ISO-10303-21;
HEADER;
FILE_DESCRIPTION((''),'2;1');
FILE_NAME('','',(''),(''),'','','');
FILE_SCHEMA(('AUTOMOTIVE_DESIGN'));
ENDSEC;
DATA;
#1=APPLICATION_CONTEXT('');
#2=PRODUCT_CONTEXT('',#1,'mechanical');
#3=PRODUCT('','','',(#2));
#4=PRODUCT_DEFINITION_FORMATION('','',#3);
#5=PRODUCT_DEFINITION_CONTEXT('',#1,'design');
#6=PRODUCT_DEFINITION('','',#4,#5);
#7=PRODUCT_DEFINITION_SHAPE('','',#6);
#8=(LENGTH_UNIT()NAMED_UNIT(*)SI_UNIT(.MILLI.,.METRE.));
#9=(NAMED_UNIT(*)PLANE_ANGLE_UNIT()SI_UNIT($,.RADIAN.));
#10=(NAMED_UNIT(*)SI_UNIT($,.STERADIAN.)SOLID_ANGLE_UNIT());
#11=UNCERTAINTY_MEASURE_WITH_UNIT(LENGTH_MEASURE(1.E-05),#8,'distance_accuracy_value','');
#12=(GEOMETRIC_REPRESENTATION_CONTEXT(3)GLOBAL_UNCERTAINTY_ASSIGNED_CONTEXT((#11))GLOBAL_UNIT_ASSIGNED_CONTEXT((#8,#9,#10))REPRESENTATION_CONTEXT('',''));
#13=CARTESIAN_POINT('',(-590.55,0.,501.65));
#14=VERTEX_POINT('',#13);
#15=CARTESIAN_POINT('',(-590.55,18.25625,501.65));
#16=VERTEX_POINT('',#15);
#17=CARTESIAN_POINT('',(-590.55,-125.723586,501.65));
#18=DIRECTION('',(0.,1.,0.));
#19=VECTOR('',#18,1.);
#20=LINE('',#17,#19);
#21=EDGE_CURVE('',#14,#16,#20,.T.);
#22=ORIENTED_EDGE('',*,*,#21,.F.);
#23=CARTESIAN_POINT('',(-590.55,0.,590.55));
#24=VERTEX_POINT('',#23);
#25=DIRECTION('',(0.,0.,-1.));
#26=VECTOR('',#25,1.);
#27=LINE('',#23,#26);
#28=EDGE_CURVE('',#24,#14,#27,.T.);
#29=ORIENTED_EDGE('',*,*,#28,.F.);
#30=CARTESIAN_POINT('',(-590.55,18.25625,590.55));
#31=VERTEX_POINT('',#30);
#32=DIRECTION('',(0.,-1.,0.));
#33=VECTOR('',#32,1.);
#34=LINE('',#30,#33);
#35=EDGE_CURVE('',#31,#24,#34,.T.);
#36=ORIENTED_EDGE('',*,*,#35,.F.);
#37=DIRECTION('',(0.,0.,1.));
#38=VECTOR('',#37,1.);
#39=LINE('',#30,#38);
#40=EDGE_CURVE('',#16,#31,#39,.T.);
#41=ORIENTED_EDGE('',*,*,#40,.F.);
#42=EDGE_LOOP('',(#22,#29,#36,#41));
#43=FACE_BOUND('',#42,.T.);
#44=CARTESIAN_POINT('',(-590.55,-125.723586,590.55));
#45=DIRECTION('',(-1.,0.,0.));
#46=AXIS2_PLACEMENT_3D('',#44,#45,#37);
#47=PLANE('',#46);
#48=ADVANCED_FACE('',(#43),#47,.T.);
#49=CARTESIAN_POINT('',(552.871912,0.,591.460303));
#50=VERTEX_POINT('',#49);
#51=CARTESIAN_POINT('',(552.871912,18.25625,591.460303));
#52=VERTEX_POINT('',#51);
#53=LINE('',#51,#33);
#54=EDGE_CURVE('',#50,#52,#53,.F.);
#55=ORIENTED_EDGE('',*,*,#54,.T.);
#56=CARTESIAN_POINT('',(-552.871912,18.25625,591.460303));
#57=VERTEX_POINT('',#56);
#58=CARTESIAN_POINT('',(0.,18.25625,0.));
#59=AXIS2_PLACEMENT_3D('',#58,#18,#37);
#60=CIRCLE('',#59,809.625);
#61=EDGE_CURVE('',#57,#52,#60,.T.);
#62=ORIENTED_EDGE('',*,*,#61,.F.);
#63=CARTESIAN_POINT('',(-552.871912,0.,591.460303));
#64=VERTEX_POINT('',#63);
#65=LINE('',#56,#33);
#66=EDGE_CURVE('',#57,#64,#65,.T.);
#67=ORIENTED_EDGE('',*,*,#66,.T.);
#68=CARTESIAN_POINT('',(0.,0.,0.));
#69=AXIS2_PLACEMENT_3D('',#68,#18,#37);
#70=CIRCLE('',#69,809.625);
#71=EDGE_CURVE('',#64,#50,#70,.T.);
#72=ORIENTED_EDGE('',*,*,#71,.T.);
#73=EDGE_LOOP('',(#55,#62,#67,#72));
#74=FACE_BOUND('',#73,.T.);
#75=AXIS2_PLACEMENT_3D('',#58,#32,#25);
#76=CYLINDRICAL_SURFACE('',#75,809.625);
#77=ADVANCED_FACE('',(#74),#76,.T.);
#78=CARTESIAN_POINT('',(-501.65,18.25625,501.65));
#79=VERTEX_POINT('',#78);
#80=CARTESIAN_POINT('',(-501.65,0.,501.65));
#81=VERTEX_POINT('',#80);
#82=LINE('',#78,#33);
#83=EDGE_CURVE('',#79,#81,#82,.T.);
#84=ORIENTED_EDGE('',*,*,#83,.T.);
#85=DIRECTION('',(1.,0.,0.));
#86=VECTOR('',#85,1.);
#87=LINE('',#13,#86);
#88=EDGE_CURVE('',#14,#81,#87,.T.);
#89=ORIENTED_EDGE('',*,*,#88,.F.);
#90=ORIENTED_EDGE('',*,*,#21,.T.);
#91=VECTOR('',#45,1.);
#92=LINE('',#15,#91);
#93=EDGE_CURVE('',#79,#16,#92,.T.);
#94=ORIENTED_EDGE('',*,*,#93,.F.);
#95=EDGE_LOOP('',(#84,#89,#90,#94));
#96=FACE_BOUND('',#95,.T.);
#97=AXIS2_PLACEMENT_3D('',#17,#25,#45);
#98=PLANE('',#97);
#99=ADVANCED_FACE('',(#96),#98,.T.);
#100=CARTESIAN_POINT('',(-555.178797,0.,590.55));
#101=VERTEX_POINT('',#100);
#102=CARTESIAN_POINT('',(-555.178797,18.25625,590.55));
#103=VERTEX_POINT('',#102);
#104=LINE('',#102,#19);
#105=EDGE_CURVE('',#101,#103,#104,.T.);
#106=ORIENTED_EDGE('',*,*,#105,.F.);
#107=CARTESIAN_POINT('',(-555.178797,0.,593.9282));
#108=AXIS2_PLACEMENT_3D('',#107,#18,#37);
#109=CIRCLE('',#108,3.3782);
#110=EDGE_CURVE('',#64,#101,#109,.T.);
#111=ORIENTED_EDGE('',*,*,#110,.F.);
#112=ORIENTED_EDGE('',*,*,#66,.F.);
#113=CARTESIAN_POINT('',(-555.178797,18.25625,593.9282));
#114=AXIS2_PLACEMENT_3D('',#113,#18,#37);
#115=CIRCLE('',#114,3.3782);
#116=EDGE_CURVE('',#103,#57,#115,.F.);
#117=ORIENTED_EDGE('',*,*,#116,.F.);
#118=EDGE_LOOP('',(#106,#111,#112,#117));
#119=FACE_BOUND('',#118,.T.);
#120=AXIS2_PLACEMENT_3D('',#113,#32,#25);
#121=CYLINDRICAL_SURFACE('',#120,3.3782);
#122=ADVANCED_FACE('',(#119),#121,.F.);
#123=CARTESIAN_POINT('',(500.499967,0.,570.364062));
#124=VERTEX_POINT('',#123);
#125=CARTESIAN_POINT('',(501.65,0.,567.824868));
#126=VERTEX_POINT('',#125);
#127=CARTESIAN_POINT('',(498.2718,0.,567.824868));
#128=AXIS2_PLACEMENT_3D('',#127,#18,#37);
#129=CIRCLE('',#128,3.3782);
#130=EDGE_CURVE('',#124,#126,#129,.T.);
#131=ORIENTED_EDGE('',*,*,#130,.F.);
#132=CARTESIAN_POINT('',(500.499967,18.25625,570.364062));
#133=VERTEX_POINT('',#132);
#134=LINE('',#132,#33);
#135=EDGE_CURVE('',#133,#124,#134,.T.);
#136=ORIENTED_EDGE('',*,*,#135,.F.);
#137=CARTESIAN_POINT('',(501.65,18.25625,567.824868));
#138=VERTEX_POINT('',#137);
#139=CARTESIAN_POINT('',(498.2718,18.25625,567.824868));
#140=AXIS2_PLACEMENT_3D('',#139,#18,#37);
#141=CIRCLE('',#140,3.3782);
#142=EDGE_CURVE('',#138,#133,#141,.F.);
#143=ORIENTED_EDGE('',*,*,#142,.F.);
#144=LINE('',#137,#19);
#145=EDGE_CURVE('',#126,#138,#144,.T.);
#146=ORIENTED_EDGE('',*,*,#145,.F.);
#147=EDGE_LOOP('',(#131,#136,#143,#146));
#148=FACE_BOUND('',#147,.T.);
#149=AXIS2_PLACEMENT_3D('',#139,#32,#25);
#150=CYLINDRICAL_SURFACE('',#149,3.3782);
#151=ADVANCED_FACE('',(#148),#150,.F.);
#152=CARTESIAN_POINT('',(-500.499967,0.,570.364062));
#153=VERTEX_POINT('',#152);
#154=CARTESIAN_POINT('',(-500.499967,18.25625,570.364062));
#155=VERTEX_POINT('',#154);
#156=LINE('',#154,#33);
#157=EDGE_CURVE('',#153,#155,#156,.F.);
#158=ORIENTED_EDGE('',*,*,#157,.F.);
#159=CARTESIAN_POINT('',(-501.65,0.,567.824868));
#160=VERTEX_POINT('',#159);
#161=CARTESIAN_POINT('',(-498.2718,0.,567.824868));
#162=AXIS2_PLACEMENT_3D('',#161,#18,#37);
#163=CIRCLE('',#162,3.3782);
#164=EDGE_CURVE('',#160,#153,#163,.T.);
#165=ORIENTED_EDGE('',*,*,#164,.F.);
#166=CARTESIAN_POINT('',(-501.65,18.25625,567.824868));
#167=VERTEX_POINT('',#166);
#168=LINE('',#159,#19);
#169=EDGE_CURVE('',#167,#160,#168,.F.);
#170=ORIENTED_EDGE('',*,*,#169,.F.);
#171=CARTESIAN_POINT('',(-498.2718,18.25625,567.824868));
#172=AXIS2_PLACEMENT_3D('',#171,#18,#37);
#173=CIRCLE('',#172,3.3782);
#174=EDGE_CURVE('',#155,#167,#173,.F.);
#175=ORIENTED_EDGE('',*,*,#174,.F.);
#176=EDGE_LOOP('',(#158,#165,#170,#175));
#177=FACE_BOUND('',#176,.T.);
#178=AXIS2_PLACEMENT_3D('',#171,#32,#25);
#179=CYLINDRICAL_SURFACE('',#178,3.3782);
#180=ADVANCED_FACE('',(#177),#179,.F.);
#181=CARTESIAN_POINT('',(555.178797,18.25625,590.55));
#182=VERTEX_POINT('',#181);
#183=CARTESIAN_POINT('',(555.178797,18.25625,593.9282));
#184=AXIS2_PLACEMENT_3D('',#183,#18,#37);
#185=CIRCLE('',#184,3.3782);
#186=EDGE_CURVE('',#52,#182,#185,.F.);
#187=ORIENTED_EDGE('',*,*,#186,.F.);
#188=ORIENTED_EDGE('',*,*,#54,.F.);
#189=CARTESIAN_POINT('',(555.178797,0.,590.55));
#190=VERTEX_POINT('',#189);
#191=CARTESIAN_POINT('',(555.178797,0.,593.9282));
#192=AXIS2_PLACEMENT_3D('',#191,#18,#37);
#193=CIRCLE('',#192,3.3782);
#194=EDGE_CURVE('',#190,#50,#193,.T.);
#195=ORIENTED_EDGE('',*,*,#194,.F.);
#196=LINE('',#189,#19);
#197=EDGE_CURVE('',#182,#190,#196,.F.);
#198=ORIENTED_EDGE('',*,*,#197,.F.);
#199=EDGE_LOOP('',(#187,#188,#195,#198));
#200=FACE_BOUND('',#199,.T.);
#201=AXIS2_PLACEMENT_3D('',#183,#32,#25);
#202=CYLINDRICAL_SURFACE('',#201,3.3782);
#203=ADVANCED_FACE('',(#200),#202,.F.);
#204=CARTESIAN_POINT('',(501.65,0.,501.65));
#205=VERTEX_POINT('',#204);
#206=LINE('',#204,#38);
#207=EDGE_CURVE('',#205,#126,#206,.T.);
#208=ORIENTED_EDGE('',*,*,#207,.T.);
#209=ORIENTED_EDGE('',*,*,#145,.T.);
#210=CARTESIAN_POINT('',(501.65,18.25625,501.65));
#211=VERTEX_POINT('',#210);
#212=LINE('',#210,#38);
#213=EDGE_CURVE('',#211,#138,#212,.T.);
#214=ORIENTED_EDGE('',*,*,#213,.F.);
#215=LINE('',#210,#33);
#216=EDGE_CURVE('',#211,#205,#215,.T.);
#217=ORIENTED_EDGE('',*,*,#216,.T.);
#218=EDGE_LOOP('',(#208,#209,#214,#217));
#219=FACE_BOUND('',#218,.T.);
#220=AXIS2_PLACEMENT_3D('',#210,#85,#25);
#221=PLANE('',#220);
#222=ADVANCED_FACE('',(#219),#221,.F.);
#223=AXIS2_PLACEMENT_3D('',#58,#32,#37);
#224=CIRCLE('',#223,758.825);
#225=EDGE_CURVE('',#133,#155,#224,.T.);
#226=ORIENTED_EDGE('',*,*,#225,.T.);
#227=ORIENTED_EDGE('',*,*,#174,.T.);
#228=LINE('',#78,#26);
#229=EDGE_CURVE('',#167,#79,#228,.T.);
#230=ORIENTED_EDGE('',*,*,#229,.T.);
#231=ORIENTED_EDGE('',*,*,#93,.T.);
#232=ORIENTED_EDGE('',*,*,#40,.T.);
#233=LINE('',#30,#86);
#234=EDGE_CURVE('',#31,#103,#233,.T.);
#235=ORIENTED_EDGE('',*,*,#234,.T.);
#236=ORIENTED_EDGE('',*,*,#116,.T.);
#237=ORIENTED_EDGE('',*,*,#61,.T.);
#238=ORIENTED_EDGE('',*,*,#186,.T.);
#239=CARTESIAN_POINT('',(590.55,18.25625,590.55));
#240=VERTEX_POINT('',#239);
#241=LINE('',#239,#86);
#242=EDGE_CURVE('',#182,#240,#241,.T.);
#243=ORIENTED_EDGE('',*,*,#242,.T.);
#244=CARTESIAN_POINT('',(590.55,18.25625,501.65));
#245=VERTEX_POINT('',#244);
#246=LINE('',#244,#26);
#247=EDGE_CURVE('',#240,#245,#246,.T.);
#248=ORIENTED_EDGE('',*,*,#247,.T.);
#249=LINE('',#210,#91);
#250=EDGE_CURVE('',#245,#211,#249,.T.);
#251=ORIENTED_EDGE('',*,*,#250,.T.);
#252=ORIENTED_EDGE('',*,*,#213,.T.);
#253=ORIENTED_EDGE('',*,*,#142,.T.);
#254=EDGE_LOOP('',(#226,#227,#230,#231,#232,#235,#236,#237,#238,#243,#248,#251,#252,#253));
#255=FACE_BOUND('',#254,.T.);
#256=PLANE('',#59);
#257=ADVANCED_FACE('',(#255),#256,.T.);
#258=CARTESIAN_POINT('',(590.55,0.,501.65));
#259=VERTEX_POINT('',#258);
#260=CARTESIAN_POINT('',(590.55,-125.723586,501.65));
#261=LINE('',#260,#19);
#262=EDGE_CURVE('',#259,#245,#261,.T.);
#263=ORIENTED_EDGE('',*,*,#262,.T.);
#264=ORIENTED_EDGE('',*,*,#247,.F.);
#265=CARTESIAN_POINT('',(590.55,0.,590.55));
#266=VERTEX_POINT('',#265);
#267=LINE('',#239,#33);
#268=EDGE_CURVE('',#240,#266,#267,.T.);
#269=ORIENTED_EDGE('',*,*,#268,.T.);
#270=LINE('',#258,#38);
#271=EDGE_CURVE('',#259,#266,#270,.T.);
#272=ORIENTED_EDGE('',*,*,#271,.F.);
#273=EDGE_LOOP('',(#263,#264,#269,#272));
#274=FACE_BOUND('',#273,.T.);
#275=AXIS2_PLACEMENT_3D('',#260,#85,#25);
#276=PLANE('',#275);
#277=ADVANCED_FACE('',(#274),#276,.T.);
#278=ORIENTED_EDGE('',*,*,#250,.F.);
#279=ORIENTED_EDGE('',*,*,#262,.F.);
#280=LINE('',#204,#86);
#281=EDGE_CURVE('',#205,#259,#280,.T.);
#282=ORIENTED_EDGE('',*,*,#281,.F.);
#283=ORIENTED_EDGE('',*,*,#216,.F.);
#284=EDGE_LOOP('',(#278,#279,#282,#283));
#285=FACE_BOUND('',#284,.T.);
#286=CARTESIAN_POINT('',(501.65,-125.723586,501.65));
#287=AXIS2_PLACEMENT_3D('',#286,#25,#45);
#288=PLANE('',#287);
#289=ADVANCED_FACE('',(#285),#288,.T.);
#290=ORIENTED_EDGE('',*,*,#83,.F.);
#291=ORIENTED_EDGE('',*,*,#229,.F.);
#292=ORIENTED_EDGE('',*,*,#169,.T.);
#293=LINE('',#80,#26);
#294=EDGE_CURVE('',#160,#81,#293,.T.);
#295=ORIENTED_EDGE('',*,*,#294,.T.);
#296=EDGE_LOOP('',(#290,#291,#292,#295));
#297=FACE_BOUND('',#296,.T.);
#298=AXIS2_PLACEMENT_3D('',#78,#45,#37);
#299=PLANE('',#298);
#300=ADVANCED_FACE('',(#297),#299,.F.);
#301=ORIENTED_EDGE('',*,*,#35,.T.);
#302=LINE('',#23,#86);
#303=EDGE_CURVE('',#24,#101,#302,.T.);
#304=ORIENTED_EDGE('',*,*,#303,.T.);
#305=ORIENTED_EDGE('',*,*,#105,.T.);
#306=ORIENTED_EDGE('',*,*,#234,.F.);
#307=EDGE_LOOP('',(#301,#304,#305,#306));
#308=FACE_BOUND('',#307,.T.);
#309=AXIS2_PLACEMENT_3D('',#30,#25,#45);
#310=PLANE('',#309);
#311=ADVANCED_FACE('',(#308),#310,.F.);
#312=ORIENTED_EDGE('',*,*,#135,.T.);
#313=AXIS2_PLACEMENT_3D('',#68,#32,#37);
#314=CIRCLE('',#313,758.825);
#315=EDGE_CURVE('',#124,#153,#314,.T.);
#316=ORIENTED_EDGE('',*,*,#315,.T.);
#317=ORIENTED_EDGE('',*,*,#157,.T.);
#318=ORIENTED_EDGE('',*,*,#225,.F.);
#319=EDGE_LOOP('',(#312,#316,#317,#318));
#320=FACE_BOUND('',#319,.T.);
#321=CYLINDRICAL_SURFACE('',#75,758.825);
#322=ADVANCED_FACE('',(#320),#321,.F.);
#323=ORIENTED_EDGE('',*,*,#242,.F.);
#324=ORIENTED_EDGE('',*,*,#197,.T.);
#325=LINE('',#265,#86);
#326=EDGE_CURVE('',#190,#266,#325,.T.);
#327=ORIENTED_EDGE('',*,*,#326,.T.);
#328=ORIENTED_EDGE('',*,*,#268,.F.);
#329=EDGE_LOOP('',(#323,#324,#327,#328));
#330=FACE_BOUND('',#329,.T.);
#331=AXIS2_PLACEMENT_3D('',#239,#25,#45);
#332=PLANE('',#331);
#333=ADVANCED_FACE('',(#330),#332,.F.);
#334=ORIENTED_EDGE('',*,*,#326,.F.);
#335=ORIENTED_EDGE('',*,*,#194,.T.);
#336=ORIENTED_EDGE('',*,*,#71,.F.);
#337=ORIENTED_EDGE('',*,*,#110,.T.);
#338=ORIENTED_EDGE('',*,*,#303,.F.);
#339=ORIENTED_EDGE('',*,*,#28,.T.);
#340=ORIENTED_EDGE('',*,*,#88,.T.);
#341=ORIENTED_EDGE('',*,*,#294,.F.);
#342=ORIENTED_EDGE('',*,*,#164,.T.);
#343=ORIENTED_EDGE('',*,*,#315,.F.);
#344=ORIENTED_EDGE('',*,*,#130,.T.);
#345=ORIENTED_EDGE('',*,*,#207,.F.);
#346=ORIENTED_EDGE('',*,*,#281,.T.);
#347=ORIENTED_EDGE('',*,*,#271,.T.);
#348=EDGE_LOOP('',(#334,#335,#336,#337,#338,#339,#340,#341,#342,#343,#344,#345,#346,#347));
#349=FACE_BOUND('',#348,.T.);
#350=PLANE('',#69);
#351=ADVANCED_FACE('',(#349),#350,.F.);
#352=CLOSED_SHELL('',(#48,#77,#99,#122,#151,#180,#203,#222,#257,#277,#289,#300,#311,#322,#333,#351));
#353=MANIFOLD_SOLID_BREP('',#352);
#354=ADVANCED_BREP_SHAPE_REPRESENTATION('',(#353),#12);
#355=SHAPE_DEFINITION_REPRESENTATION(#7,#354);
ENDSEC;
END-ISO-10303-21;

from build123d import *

# Parameters (mm, degrees)
BOSS_EXTRUDE1_DEPTH = 18.25625
SKETCH4_W           = 88.9
SKETCH4_H           = 88.9
BOSS_EXTRUDE2_DEPTH = 18.25625
FILLET1_R           = 3.3782


with BuildPart() as part:
    # Sketch3 → Boss-Extrude1 (new body)
    with BuildSketch(Plane(origin=(0, 0, 0), x_dir=(1, 0, 0), z_dir=(0, 1, 0))):
        with BuildLine():
            Line((-501.65, -501.65), (-590.55, -590.55))
            Line((-590.55, -590.55), (-553.84414606, -590.55))
            ThreePointArc((-553.84414606, -590.55), (0, -809.625), (553.84414606, -590.55))
            Line((553.84414606, -590.55), (590.55, -590.55))
            Line((590.55, -590.55), (501.65, -501.65))
            Line((501.65, -501.65), (501.65, -569.352841501))
            ThreePointArc((501.65, -569.352841501), (0, -758.825), (-501.65, -569.352841501))
            Line((-501.65, -569.352841501), (-501.65, -501.65))
        make_face()
    extrude(amount=BOSS_EXTRUDE1_DEPTH)

    # Sketch4 → Boss-Extrude2 (add)
    with BuildSketch(Plane(origin=(0, 18.25625, 0), x_dir=(1, 0, 0), z_dir=(0, 1, 0))):
        with Locations((-546.1, -546.1)):
            Rectangle(SKETCH4_W, SKETCH4_H)
        with Locations((546.1, -546.1)):
            Rectangle(SKETCH4_W, SKETCH4_H)
    extrude(amount=-BOSS_EXTRUDE2_DEPTH)

    # Fillet1
    fillet1_edges = [part.edges().sort_by_distance(p)[0] for p in [
        (-501.65, 9.128125, 569.352841501),
        (501.65, 9.128125, 569.352841501),
        (553.84414606, 9.128125, 590.55),
        (-553.84414606, 9.128125, 590.55),
    ]]
    fillet(fillet1_edges, radius=FILLET1_R)


solid = part.part
